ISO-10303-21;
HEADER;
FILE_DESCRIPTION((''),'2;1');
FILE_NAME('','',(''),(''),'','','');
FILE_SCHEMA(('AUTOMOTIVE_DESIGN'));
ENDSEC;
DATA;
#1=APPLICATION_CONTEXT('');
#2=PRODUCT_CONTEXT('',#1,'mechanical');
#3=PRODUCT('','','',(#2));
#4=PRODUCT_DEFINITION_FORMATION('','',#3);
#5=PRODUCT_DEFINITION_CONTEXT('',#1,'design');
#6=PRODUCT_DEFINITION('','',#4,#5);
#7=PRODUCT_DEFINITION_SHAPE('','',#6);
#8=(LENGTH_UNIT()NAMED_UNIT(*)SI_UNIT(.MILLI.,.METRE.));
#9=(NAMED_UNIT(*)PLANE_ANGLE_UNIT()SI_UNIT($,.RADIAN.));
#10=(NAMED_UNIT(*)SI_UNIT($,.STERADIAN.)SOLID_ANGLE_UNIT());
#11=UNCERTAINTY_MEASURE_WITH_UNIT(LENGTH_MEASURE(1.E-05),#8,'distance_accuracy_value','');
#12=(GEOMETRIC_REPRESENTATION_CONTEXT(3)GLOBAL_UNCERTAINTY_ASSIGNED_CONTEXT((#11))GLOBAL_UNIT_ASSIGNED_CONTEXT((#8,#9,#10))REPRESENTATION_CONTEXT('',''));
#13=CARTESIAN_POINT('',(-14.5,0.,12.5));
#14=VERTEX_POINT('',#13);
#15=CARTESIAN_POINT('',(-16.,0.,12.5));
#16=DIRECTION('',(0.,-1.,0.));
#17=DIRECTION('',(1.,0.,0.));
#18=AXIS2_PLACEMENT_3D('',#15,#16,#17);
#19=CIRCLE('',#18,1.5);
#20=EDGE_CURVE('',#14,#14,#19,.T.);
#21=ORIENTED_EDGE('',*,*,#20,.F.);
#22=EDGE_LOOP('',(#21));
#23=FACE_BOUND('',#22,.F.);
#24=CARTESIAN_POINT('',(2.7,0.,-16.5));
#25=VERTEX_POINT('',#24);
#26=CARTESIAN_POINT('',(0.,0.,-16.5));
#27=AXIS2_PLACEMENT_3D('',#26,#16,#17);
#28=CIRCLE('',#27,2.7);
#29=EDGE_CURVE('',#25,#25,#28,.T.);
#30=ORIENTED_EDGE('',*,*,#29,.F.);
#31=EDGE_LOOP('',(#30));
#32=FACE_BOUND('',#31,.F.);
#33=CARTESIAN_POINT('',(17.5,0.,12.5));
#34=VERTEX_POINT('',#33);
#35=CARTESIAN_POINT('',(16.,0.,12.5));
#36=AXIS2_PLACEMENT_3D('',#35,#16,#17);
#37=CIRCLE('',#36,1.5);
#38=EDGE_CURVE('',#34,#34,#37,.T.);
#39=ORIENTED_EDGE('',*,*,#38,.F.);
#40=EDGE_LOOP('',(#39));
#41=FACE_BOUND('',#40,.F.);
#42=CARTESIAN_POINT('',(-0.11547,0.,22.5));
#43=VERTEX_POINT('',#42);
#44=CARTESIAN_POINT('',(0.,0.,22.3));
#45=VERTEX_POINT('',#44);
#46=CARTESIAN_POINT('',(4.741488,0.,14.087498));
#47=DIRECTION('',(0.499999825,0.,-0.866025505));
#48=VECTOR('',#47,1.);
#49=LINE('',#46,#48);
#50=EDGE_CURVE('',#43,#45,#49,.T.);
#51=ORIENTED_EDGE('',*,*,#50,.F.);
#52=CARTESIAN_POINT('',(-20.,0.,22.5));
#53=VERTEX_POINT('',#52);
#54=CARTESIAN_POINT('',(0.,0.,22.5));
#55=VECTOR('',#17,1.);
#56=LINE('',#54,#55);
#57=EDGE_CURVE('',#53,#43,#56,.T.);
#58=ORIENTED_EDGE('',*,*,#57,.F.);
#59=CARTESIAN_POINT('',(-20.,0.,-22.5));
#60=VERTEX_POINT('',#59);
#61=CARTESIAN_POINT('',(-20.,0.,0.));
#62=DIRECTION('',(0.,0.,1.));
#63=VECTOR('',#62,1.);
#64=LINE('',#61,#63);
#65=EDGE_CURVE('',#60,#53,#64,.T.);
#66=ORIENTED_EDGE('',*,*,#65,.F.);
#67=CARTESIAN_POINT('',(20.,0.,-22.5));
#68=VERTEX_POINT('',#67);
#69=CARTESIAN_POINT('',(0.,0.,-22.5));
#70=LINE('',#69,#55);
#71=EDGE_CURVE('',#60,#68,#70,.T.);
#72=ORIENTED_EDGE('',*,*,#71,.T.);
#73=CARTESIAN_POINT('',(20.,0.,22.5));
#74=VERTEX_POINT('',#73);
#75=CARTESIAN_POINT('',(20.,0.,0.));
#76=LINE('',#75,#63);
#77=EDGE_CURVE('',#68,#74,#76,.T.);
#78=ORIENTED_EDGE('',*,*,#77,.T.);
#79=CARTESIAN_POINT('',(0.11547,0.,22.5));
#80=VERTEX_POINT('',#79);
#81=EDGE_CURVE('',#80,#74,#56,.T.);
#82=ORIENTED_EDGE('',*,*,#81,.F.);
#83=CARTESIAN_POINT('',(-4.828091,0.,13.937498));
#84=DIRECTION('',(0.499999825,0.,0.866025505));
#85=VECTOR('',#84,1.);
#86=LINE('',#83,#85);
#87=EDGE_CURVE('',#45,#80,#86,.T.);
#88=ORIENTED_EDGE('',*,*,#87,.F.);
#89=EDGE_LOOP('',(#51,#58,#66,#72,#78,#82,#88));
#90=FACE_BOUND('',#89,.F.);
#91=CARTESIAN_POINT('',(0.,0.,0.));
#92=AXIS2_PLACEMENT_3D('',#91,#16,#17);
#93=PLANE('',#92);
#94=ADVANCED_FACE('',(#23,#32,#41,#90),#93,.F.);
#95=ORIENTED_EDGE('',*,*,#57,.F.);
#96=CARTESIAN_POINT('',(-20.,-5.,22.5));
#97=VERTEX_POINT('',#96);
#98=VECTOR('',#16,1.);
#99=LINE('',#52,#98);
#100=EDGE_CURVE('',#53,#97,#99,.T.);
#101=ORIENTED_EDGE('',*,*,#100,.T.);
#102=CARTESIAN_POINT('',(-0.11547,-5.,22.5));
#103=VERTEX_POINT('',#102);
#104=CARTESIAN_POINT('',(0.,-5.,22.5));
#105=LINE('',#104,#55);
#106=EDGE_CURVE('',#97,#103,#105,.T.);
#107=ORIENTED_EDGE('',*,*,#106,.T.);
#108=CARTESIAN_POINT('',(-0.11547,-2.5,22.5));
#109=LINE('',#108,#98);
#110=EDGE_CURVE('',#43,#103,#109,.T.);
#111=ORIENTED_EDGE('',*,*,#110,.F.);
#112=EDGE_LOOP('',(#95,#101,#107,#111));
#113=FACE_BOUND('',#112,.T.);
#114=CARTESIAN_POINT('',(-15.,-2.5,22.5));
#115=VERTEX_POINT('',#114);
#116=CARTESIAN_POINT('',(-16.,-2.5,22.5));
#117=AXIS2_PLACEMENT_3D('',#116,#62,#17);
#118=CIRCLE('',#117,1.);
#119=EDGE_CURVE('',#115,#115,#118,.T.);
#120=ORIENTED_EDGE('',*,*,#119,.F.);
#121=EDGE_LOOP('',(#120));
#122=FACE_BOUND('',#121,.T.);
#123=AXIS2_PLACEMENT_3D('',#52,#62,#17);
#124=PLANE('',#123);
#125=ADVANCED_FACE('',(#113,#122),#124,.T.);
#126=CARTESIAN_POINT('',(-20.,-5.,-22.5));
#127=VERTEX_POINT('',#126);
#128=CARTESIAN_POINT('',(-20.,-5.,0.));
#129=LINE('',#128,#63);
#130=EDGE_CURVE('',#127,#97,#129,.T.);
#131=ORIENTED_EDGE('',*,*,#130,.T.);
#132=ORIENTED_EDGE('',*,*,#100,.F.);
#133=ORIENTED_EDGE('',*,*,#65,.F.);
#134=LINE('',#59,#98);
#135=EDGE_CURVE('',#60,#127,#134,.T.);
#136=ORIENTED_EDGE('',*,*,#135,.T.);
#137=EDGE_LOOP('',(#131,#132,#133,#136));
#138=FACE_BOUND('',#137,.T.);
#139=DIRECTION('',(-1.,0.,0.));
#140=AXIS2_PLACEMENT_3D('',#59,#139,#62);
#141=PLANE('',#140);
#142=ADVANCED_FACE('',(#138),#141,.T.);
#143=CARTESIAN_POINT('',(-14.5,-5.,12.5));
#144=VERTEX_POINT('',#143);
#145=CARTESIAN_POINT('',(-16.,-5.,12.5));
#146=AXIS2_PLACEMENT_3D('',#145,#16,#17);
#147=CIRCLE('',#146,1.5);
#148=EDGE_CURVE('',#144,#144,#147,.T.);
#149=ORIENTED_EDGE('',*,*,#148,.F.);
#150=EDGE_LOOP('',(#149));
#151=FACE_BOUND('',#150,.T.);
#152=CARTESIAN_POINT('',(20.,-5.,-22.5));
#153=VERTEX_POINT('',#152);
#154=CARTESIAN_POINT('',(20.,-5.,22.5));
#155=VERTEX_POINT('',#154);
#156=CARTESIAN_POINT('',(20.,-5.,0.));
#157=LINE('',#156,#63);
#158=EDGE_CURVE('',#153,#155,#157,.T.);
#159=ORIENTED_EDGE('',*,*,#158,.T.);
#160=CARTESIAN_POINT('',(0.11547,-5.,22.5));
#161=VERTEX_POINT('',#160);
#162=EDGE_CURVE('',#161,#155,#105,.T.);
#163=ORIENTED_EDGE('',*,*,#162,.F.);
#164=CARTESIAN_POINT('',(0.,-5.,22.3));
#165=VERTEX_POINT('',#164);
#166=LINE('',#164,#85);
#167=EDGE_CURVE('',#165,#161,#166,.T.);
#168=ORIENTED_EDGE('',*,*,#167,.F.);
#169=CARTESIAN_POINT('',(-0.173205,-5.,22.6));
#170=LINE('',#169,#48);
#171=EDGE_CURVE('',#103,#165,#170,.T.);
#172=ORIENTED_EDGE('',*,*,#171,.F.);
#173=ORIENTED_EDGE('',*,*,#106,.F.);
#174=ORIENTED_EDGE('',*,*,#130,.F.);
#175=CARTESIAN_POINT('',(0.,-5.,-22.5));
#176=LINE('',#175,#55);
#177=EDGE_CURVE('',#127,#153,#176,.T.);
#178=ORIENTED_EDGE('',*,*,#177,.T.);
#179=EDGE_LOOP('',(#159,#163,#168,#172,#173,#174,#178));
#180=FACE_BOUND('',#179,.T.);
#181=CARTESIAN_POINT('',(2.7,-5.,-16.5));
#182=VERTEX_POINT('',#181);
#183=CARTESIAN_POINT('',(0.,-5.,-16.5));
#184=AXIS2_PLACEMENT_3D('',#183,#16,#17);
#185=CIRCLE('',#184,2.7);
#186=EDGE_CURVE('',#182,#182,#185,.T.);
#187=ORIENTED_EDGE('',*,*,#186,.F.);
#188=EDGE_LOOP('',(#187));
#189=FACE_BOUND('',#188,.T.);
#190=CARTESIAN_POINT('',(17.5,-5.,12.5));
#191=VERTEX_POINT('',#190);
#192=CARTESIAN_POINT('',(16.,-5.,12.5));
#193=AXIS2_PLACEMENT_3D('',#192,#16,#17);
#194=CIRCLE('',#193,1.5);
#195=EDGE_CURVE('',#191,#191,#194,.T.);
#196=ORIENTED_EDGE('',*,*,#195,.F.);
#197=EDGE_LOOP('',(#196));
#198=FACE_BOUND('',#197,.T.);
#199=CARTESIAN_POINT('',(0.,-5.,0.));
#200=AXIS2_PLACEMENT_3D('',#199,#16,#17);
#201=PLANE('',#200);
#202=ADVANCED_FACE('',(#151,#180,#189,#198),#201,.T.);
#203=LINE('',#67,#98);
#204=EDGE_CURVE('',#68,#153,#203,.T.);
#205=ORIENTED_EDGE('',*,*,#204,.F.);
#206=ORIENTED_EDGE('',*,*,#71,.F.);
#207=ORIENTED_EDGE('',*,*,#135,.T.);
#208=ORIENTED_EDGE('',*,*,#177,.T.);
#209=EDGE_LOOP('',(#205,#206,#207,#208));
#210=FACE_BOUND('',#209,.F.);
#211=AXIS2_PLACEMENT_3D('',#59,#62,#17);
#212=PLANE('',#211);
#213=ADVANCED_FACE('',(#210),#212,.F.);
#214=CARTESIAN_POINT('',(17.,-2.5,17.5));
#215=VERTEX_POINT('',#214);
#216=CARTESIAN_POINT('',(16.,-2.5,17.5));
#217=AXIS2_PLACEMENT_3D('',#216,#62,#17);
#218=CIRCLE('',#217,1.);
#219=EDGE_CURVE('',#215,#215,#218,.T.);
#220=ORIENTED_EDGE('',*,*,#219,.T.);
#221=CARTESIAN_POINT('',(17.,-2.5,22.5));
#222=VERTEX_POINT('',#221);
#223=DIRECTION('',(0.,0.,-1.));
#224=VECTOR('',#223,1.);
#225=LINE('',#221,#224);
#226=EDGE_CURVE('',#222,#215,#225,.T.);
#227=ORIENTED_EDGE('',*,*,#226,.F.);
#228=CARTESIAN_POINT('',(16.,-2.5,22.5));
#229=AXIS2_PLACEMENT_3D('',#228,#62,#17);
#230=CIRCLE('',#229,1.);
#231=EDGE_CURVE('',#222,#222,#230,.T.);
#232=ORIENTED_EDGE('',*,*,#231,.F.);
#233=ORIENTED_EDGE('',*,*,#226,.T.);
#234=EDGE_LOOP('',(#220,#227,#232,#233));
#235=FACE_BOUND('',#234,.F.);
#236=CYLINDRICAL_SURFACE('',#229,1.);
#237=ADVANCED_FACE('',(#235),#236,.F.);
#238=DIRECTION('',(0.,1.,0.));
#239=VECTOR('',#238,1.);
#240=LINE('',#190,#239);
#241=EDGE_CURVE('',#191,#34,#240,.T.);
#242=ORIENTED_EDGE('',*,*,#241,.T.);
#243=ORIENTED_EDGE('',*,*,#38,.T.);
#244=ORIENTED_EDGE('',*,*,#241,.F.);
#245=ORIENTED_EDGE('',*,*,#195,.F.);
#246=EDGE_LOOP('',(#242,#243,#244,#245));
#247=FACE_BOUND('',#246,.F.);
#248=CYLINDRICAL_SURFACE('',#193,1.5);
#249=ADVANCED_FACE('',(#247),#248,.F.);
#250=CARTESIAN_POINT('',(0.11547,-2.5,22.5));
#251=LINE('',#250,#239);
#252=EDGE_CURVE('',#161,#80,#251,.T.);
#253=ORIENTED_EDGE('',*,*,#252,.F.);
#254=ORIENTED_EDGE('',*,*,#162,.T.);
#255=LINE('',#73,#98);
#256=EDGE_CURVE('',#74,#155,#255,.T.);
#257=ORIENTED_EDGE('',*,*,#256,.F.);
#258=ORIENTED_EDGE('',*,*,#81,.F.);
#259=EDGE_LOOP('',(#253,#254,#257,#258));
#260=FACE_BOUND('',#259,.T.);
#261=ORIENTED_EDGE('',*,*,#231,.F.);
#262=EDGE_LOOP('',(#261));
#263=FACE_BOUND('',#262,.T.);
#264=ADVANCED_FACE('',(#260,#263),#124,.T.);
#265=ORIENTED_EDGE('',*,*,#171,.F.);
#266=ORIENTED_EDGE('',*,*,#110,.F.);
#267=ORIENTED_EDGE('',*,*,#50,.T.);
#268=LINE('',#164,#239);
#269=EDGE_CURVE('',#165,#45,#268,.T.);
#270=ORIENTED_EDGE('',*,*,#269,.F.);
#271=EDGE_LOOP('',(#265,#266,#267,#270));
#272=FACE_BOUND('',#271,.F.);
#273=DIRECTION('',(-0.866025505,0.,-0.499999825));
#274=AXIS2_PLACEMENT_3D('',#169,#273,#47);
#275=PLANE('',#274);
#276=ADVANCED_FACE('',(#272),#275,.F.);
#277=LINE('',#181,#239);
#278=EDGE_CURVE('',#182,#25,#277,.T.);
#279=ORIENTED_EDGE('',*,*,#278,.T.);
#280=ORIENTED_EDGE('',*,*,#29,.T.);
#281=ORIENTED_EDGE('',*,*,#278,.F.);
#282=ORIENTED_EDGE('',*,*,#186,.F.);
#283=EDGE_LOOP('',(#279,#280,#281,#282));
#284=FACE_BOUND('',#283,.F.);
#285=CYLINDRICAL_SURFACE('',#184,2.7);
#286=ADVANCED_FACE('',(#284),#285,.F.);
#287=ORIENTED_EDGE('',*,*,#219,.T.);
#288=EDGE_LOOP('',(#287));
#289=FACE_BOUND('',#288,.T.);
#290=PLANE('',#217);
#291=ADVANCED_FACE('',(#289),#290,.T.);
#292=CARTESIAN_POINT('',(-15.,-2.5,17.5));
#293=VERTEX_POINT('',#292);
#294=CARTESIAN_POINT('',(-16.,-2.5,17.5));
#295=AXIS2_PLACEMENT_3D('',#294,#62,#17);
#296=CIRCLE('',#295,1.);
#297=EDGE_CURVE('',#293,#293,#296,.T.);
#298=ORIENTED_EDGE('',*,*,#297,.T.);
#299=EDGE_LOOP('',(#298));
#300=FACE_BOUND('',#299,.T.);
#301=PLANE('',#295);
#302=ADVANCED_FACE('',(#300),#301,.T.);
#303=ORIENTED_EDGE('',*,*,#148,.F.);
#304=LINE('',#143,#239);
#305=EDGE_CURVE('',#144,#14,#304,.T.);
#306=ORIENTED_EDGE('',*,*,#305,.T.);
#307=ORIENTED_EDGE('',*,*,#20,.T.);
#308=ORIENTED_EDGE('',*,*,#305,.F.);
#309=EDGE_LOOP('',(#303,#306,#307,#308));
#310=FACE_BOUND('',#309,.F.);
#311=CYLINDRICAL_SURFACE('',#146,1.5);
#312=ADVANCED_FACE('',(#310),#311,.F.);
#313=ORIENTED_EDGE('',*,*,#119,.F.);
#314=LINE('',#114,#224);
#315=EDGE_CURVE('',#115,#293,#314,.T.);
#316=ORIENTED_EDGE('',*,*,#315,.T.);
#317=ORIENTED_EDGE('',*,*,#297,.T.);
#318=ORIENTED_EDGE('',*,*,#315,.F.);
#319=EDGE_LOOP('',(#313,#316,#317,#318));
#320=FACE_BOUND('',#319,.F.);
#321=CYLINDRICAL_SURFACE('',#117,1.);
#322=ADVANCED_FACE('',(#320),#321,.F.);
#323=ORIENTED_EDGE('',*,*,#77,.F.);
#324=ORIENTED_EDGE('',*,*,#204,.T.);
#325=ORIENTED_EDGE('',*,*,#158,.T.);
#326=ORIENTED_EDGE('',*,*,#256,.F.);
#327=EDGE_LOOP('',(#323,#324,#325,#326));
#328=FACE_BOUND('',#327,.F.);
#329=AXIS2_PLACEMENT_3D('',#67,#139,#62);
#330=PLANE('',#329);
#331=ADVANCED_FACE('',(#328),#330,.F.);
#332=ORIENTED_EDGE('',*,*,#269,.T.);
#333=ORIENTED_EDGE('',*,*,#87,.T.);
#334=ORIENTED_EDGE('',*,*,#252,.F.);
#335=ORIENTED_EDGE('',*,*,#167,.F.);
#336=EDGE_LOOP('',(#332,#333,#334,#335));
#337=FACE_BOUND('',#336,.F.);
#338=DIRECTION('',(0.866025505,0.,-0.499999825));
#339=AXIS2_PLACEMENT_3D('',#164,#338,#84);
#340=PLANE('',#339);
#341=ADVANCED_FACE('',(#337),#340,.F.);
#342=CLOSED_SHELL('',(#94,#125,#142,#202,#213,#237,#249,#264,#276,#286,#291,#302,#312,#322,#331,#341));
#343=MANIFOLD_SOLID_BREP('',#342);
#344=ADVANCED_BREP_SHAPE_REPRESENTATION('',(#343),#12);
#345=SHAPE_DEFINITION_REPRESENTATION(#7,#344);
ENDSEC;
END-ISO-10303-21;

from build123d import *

# Parameters (mm, degrees)
F0_W      = 40
F0_H      = 45
F1_DEPTH  = 5
F2_R      = 1.5
F3_DEPTH  = 25
F6_DEPTH  = 25
F7_R      = 1
F8_DEPTH  = 5
F9_R      = 2.7
F10_DEPTH = 25


with BuildPart() as f1:
    # F0 (on Front) → F1 (new body)
    with BuildSketch(Plane.XZ):
        Rectangle(F0_W, F0_H)
    extrude(amount=F1_DEPTH)

    # F2 (on face) → F3 (cut)
    with BuildSketch(Plane.XZ.offset(5)):
        with Locations((16, 12.5)):
            Circle(F2_R)
        with Locations((-16, 12.5)):
            Circle(F2_R)
    extrude(amount=-F3_DEPTH, mode=Mode.SUBTRACT)

    # F5 (on face) → F6 (cut)
    with BuildSketch(Plane.XZ.offset(5)):
        Polygon((0.173205, 22.6), (-0.173205, 22.6), (0, 22.3), align=None)
    extrude(amount=-F6_DEPTH, mode=Mode.SUBTRACT)

    # F7 (on face) → F8 (cut)
    with BuildSketch(Plane.XY.offset(22.5)):
        with Locations((16, -2.5)):
            Circle(F7_R)
        with Locations((-16, -2.5)):
            Circle(F7_R)
    extrude(amount=-F8_DEPTH, mode=Mode.SUBTRACT)

    # F9 (on face) → F10 (cut)
    with BuildSketch(Plane.XZ.offset(5)):
        with Locations((0, -16.5)):
            Circle(F9_R)
    extrude(amount=-F10_DEPTH, mode=Mode.SUBTRACT)


solid = f1.part
